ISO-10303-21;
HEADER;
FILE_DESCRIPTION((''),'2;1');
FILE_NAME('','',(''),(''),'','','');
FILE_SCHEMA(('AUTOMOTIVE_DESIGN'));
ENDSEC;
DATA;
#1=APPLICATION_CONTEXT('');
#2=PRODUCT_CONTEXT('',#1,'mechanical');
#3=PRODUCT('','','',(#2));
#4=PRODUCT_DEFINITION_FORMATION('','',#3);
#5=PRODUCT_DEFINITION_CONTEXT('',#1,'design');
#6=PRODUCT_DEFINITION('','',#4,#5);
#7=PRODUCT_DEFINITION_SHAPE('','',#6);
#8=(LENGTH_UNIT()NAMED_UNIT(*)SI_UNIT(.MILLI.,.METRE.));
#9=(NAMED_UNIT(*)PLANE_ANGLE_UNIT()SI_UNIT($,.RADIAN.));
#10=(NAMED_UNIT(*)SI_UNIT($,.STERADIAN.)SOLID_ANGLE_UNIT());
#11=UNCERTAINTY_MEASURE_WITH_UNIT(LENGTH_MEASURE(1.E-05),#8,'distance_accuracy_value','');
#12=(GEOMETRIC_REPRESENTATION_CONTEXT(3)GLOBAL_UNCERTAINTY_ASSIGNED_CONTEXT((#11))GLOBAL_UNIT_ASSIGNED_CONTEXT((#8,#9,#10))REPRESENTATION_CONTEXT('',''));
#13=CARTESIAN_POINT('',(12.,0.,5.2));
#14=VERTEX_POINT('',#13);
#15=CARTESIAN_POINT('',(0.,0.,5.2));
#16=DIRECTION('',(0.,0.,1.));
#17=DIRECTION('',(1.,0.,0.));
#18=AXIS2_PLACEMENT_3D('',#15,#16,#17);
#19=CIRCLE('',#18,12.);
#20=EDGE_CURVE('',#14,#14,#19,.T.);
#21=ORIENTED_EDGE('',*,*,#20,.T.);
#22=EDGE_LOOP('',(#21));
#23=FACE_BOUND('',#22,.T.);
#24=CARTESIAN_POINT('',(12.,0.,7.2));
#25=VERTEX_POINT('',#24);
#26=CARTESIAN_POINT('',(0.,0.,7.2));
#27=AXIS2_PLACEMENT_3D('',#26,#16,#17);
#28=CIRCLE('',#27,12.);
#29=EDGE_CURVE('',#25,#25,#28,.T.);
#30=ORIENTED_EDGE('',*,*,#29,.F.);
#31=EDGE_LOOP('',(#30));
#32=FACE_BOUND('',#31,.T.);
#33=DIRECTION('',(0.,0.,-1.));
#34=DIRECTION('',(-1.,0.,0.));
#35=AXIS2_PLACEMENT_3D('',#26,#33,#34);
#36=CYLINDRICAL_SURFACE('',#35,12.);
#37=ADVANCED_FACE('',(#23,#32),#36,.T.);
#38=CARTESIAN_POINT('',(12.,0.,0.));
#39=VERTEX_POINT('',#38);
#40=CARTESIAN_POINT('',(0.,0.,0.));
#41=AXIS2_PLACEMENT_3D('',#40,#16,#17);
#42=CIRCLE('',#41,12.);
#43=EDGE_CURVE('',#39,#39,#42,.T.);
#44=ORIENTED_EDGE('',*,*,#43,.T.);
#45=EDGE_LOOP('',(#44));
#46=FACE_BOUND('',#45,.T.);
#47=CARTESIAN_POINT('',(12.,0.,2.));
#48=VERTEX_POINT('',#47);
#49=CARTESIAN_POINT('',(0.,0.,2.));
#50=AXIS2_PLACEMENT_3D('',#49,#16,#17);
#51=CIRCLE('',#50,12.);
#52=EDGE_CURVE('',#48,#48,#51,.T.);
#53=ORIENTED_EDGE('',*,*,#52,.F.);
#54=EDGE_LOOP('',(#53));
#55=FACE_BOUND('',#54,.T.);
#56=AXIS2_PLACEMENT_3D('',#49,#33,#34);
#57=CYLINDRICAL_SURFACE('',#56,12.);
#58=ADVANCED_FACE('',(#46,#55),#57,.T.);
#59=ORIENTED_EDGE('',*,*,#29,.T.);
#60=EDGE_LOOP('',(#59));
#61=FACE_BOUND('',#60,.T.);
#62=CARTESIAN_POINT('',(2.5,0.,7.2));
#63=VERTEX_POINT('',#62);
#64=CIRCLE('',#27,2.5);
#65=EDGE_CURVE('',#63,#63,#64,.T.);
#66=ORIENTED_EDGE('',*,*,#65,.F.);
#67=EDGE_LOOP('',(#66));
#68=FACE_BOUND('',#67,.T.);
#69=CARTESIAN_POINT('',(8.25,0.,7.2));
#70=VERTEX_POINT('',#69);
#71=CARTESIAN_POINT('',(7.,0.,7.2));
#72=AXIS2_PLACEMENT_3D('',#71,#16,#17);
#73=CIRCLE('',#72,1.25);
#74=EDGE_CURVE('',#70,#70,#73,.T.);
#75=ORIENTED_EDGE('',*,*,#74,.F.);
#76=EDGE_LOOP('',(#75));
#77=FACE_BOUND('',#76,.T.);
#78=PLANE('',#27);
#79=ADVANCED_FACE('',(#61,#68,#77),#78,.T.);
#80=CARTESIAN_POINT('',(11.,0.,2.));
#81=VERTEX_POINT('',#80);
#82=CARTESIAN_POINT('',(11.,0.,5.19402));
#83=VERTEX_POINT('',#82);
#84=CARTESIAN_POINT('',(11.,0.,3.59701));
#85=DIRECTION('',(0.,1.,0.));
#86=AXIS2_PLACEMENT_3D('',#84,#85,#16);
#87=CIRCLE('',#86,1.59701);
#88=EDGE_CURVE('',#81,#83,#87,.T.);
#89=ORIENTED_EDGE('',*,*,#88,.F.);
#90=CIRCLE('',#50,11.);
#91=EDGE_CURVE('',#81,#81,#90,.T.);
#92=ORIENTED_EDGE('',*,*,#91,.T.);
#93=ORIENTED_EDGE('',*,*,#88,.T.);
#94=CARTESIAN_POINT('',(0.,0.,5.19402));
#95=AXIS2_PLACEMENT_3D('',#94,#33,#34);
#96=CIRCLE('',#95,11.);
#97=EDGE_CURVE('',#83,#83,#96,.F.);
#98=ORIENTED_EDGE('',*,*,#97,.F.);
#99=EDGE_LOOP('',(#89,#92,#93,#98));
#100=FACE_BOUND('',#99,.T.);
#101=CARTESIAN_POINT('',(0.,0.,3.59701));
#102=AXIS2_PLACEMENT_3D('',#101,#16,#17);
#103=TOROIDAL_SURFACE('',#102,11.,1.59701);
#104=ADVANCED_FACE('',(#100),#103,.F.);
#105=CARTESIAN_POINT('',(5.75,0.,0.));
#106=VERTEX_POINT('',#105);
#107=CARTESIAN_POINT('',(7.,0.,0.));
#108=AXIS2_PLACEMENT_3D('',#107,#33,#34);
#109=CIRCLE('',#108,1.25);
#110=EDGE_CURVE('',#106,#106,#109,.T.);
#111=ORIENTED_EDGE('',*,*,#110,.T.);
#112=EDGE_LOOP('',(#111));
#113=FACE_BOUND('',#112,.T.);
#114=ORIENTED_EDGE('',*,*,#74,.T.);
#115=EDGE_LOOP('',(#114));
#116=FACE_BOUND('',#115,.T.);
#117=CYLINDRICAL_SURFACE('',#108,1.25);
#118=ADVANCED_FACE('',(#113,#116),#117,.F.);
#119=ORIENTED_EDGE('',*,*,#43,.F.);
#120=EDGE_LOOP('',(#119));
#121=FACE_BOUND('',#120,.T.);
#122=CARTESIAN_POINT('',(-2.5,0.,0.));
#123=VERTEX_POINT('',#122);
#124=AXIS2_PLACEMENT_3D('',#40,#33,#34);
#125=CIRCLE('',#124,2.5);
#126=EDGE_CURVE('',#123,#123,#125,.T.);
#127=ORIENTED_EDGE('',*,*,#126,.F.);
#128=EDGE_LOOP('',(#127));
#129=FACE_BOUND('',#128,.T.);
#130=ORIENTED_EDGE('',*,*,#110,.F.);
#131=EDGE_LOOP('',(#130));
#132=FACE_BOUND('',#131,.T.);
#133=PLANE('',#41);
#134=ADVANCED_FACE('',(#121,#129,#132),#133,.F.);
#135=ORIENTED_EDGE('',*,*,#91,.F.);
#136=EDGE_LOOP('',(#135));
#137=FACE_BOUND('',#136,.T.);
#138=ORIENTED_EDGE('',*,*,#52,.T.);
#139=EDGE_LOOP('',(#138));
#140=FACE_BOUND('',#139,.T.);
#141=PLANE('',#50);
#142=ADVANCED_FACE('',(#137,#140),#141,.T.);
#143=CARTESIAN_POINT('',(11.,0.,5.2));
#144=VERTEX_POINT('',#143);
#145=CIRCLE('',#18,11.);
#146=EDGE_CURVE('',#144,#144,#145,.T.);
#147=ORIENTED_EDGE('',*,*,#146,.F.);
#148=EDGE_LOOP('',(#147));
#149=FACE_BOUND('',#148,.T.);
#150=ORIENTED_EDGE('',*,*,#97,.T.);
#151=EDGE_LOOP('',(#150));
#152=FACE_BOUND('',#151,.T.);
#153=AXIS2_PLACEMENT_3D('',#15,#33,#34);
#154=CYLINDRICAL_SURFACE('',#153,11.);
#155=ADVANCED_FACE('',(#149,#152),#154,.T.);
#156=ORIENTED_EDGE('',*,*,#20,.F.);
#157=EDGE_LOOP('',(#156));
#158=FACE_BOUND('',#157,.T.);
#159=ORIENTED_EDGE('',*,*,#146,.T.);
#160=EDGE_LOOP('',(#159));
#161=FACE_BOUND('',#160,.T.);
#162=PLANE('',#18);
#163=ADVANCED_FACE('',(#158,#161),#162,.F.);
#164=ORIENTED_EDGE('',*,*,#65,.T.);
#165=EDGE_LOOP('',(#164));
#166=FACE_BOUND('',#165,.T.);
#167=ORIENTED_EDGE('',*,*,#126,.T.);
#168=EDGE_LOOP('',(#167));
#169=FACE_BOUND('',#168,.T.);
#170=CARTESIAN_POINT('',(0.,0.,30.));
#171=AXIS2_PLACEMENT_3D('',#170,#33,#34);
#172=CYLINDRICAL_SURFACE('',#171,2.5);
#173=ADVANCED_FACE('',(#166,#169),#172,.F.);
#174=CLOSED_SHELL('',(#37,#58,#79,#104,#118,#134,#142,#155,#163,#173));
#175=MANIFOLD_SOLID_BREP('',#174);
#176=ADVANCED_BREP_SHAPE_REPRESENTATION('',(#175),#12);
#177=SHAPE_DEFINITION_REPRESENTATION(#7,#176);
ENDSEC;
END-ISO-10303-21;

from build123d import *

# Parameters (mm, degrees)
SKETCH_1_R          = 12
EXTRUDE_1_DEPTH     = 2
SKETCH_2_R          = 11
EXTRUDE_2_DEPTH     = 3.2
SKETCH_3_R          = 12
EXTRUDE_3_DEPTH     = 2
SKETCH_4_R          = 2.5
CUT_EXTRUDE_1_DEPTH = 30
SKETCH_3D_1_R       = 1.597010155
M3X0_5_1_D          = 2.5
M3X0_5_1_DEPTH      = 8.5
M3X0_5_1_TIP        = 0.751075774


with BuildPart() as part:
    # ｽｹｯﾁ1 → ﾎﾞｽ - 押し出し1 (new body)
    with BuildSketch(Plane.XY):
        Circle(SKETCH_1_R)
    extrude(amount=EXTRUDE_1_DEPTH)

    # ｽｹｯﾁ2 → ﾎﾞｽ - 押し出し2 (add)
    with BuildSketch(Plane.XY.offset(2)):
        Circle(SKETCH_2_R)
    extrude(amount=EXTRUDE_2_DEPTH)

    # ｽｹｯﾁ3 → ﾎﾞｽ - 押し出し3 (add)
    with BuildSketch(Plane.XY.offset(5.2)):
        Circle(SKETCH_3_R)
    extrude(amount=EXTRUDE_3_DEPTH)

    # ｽｹｯﾁ4 → ｶｯﾄ - 押し出し1 (cut)
    with BuildSketch(Plane(origin=(0, 0, 0), x_dir=(-1, 0, 0), z_dir=(0, 0, -1))):
        Circle(SKETCH_4_R)
    extrude(amount=-CUT_EXTRUDE_1_DEPTH, mode=Mode.SUBTRACT)

    # ｶｯﾄ - ｽｲｰﾌﾟ1: sweep along a curve in space
    with BuildLine() as sweep_1_path:
        ThreePointArc((11, 0, 5.2), (7.778174593, 7.778174593, 5.2), (0, 11, 5.2))
        ThreePointArc((0, 11, 5.2), (-7.778174593, 7.778174593, 5.2), (-11, 0, 5.2))
        ThreePointArc((-11, 0, 5.2), (-7.778174593, -7.778174593, 5.2), (0, -11, 5.2))
        ThreePointArc((0, -11, 5.2), (7.778174593, -7.778174593, 5.2), (11, 0, 5.2))
    # Sketch 3D_1 → ｶｯﾄ - ｽｲｰﾌﾟ1 (sweep, cut)
    with BuildSketch(Plane(origin=(11, 0, 5.2), x_dir=(0, 0, -1), z_dir=(0, -1, 0))):
        with Locations((1.602989845, 0)):
            Circle(SKETCH_3D_1_R)
    sweep(path=sweep_1_path.line, mode=Mode.SUBTRACT)

    # M3x0.5 ねじ穴1
    with Locations(Plane(origin=(7, 0, 0), x_dir=(-1, 0, 0), z_dir=(0, 0, -1))):
        with Locations((0, 0)):
            Hole(M3X0_5_1_D / 2, depth=M3X0_5_1_DEPTH)
            with Locations((0, 0, -(M3X0_5_1_DEPTH + M3X0_5_1_TIP / 2))):  # 118° drill point
                Cone(0, M3X0_5_1_D / 2, M3X0_5_1_TIP, mode=Mode.SUBTRACT)


solid = part.part
